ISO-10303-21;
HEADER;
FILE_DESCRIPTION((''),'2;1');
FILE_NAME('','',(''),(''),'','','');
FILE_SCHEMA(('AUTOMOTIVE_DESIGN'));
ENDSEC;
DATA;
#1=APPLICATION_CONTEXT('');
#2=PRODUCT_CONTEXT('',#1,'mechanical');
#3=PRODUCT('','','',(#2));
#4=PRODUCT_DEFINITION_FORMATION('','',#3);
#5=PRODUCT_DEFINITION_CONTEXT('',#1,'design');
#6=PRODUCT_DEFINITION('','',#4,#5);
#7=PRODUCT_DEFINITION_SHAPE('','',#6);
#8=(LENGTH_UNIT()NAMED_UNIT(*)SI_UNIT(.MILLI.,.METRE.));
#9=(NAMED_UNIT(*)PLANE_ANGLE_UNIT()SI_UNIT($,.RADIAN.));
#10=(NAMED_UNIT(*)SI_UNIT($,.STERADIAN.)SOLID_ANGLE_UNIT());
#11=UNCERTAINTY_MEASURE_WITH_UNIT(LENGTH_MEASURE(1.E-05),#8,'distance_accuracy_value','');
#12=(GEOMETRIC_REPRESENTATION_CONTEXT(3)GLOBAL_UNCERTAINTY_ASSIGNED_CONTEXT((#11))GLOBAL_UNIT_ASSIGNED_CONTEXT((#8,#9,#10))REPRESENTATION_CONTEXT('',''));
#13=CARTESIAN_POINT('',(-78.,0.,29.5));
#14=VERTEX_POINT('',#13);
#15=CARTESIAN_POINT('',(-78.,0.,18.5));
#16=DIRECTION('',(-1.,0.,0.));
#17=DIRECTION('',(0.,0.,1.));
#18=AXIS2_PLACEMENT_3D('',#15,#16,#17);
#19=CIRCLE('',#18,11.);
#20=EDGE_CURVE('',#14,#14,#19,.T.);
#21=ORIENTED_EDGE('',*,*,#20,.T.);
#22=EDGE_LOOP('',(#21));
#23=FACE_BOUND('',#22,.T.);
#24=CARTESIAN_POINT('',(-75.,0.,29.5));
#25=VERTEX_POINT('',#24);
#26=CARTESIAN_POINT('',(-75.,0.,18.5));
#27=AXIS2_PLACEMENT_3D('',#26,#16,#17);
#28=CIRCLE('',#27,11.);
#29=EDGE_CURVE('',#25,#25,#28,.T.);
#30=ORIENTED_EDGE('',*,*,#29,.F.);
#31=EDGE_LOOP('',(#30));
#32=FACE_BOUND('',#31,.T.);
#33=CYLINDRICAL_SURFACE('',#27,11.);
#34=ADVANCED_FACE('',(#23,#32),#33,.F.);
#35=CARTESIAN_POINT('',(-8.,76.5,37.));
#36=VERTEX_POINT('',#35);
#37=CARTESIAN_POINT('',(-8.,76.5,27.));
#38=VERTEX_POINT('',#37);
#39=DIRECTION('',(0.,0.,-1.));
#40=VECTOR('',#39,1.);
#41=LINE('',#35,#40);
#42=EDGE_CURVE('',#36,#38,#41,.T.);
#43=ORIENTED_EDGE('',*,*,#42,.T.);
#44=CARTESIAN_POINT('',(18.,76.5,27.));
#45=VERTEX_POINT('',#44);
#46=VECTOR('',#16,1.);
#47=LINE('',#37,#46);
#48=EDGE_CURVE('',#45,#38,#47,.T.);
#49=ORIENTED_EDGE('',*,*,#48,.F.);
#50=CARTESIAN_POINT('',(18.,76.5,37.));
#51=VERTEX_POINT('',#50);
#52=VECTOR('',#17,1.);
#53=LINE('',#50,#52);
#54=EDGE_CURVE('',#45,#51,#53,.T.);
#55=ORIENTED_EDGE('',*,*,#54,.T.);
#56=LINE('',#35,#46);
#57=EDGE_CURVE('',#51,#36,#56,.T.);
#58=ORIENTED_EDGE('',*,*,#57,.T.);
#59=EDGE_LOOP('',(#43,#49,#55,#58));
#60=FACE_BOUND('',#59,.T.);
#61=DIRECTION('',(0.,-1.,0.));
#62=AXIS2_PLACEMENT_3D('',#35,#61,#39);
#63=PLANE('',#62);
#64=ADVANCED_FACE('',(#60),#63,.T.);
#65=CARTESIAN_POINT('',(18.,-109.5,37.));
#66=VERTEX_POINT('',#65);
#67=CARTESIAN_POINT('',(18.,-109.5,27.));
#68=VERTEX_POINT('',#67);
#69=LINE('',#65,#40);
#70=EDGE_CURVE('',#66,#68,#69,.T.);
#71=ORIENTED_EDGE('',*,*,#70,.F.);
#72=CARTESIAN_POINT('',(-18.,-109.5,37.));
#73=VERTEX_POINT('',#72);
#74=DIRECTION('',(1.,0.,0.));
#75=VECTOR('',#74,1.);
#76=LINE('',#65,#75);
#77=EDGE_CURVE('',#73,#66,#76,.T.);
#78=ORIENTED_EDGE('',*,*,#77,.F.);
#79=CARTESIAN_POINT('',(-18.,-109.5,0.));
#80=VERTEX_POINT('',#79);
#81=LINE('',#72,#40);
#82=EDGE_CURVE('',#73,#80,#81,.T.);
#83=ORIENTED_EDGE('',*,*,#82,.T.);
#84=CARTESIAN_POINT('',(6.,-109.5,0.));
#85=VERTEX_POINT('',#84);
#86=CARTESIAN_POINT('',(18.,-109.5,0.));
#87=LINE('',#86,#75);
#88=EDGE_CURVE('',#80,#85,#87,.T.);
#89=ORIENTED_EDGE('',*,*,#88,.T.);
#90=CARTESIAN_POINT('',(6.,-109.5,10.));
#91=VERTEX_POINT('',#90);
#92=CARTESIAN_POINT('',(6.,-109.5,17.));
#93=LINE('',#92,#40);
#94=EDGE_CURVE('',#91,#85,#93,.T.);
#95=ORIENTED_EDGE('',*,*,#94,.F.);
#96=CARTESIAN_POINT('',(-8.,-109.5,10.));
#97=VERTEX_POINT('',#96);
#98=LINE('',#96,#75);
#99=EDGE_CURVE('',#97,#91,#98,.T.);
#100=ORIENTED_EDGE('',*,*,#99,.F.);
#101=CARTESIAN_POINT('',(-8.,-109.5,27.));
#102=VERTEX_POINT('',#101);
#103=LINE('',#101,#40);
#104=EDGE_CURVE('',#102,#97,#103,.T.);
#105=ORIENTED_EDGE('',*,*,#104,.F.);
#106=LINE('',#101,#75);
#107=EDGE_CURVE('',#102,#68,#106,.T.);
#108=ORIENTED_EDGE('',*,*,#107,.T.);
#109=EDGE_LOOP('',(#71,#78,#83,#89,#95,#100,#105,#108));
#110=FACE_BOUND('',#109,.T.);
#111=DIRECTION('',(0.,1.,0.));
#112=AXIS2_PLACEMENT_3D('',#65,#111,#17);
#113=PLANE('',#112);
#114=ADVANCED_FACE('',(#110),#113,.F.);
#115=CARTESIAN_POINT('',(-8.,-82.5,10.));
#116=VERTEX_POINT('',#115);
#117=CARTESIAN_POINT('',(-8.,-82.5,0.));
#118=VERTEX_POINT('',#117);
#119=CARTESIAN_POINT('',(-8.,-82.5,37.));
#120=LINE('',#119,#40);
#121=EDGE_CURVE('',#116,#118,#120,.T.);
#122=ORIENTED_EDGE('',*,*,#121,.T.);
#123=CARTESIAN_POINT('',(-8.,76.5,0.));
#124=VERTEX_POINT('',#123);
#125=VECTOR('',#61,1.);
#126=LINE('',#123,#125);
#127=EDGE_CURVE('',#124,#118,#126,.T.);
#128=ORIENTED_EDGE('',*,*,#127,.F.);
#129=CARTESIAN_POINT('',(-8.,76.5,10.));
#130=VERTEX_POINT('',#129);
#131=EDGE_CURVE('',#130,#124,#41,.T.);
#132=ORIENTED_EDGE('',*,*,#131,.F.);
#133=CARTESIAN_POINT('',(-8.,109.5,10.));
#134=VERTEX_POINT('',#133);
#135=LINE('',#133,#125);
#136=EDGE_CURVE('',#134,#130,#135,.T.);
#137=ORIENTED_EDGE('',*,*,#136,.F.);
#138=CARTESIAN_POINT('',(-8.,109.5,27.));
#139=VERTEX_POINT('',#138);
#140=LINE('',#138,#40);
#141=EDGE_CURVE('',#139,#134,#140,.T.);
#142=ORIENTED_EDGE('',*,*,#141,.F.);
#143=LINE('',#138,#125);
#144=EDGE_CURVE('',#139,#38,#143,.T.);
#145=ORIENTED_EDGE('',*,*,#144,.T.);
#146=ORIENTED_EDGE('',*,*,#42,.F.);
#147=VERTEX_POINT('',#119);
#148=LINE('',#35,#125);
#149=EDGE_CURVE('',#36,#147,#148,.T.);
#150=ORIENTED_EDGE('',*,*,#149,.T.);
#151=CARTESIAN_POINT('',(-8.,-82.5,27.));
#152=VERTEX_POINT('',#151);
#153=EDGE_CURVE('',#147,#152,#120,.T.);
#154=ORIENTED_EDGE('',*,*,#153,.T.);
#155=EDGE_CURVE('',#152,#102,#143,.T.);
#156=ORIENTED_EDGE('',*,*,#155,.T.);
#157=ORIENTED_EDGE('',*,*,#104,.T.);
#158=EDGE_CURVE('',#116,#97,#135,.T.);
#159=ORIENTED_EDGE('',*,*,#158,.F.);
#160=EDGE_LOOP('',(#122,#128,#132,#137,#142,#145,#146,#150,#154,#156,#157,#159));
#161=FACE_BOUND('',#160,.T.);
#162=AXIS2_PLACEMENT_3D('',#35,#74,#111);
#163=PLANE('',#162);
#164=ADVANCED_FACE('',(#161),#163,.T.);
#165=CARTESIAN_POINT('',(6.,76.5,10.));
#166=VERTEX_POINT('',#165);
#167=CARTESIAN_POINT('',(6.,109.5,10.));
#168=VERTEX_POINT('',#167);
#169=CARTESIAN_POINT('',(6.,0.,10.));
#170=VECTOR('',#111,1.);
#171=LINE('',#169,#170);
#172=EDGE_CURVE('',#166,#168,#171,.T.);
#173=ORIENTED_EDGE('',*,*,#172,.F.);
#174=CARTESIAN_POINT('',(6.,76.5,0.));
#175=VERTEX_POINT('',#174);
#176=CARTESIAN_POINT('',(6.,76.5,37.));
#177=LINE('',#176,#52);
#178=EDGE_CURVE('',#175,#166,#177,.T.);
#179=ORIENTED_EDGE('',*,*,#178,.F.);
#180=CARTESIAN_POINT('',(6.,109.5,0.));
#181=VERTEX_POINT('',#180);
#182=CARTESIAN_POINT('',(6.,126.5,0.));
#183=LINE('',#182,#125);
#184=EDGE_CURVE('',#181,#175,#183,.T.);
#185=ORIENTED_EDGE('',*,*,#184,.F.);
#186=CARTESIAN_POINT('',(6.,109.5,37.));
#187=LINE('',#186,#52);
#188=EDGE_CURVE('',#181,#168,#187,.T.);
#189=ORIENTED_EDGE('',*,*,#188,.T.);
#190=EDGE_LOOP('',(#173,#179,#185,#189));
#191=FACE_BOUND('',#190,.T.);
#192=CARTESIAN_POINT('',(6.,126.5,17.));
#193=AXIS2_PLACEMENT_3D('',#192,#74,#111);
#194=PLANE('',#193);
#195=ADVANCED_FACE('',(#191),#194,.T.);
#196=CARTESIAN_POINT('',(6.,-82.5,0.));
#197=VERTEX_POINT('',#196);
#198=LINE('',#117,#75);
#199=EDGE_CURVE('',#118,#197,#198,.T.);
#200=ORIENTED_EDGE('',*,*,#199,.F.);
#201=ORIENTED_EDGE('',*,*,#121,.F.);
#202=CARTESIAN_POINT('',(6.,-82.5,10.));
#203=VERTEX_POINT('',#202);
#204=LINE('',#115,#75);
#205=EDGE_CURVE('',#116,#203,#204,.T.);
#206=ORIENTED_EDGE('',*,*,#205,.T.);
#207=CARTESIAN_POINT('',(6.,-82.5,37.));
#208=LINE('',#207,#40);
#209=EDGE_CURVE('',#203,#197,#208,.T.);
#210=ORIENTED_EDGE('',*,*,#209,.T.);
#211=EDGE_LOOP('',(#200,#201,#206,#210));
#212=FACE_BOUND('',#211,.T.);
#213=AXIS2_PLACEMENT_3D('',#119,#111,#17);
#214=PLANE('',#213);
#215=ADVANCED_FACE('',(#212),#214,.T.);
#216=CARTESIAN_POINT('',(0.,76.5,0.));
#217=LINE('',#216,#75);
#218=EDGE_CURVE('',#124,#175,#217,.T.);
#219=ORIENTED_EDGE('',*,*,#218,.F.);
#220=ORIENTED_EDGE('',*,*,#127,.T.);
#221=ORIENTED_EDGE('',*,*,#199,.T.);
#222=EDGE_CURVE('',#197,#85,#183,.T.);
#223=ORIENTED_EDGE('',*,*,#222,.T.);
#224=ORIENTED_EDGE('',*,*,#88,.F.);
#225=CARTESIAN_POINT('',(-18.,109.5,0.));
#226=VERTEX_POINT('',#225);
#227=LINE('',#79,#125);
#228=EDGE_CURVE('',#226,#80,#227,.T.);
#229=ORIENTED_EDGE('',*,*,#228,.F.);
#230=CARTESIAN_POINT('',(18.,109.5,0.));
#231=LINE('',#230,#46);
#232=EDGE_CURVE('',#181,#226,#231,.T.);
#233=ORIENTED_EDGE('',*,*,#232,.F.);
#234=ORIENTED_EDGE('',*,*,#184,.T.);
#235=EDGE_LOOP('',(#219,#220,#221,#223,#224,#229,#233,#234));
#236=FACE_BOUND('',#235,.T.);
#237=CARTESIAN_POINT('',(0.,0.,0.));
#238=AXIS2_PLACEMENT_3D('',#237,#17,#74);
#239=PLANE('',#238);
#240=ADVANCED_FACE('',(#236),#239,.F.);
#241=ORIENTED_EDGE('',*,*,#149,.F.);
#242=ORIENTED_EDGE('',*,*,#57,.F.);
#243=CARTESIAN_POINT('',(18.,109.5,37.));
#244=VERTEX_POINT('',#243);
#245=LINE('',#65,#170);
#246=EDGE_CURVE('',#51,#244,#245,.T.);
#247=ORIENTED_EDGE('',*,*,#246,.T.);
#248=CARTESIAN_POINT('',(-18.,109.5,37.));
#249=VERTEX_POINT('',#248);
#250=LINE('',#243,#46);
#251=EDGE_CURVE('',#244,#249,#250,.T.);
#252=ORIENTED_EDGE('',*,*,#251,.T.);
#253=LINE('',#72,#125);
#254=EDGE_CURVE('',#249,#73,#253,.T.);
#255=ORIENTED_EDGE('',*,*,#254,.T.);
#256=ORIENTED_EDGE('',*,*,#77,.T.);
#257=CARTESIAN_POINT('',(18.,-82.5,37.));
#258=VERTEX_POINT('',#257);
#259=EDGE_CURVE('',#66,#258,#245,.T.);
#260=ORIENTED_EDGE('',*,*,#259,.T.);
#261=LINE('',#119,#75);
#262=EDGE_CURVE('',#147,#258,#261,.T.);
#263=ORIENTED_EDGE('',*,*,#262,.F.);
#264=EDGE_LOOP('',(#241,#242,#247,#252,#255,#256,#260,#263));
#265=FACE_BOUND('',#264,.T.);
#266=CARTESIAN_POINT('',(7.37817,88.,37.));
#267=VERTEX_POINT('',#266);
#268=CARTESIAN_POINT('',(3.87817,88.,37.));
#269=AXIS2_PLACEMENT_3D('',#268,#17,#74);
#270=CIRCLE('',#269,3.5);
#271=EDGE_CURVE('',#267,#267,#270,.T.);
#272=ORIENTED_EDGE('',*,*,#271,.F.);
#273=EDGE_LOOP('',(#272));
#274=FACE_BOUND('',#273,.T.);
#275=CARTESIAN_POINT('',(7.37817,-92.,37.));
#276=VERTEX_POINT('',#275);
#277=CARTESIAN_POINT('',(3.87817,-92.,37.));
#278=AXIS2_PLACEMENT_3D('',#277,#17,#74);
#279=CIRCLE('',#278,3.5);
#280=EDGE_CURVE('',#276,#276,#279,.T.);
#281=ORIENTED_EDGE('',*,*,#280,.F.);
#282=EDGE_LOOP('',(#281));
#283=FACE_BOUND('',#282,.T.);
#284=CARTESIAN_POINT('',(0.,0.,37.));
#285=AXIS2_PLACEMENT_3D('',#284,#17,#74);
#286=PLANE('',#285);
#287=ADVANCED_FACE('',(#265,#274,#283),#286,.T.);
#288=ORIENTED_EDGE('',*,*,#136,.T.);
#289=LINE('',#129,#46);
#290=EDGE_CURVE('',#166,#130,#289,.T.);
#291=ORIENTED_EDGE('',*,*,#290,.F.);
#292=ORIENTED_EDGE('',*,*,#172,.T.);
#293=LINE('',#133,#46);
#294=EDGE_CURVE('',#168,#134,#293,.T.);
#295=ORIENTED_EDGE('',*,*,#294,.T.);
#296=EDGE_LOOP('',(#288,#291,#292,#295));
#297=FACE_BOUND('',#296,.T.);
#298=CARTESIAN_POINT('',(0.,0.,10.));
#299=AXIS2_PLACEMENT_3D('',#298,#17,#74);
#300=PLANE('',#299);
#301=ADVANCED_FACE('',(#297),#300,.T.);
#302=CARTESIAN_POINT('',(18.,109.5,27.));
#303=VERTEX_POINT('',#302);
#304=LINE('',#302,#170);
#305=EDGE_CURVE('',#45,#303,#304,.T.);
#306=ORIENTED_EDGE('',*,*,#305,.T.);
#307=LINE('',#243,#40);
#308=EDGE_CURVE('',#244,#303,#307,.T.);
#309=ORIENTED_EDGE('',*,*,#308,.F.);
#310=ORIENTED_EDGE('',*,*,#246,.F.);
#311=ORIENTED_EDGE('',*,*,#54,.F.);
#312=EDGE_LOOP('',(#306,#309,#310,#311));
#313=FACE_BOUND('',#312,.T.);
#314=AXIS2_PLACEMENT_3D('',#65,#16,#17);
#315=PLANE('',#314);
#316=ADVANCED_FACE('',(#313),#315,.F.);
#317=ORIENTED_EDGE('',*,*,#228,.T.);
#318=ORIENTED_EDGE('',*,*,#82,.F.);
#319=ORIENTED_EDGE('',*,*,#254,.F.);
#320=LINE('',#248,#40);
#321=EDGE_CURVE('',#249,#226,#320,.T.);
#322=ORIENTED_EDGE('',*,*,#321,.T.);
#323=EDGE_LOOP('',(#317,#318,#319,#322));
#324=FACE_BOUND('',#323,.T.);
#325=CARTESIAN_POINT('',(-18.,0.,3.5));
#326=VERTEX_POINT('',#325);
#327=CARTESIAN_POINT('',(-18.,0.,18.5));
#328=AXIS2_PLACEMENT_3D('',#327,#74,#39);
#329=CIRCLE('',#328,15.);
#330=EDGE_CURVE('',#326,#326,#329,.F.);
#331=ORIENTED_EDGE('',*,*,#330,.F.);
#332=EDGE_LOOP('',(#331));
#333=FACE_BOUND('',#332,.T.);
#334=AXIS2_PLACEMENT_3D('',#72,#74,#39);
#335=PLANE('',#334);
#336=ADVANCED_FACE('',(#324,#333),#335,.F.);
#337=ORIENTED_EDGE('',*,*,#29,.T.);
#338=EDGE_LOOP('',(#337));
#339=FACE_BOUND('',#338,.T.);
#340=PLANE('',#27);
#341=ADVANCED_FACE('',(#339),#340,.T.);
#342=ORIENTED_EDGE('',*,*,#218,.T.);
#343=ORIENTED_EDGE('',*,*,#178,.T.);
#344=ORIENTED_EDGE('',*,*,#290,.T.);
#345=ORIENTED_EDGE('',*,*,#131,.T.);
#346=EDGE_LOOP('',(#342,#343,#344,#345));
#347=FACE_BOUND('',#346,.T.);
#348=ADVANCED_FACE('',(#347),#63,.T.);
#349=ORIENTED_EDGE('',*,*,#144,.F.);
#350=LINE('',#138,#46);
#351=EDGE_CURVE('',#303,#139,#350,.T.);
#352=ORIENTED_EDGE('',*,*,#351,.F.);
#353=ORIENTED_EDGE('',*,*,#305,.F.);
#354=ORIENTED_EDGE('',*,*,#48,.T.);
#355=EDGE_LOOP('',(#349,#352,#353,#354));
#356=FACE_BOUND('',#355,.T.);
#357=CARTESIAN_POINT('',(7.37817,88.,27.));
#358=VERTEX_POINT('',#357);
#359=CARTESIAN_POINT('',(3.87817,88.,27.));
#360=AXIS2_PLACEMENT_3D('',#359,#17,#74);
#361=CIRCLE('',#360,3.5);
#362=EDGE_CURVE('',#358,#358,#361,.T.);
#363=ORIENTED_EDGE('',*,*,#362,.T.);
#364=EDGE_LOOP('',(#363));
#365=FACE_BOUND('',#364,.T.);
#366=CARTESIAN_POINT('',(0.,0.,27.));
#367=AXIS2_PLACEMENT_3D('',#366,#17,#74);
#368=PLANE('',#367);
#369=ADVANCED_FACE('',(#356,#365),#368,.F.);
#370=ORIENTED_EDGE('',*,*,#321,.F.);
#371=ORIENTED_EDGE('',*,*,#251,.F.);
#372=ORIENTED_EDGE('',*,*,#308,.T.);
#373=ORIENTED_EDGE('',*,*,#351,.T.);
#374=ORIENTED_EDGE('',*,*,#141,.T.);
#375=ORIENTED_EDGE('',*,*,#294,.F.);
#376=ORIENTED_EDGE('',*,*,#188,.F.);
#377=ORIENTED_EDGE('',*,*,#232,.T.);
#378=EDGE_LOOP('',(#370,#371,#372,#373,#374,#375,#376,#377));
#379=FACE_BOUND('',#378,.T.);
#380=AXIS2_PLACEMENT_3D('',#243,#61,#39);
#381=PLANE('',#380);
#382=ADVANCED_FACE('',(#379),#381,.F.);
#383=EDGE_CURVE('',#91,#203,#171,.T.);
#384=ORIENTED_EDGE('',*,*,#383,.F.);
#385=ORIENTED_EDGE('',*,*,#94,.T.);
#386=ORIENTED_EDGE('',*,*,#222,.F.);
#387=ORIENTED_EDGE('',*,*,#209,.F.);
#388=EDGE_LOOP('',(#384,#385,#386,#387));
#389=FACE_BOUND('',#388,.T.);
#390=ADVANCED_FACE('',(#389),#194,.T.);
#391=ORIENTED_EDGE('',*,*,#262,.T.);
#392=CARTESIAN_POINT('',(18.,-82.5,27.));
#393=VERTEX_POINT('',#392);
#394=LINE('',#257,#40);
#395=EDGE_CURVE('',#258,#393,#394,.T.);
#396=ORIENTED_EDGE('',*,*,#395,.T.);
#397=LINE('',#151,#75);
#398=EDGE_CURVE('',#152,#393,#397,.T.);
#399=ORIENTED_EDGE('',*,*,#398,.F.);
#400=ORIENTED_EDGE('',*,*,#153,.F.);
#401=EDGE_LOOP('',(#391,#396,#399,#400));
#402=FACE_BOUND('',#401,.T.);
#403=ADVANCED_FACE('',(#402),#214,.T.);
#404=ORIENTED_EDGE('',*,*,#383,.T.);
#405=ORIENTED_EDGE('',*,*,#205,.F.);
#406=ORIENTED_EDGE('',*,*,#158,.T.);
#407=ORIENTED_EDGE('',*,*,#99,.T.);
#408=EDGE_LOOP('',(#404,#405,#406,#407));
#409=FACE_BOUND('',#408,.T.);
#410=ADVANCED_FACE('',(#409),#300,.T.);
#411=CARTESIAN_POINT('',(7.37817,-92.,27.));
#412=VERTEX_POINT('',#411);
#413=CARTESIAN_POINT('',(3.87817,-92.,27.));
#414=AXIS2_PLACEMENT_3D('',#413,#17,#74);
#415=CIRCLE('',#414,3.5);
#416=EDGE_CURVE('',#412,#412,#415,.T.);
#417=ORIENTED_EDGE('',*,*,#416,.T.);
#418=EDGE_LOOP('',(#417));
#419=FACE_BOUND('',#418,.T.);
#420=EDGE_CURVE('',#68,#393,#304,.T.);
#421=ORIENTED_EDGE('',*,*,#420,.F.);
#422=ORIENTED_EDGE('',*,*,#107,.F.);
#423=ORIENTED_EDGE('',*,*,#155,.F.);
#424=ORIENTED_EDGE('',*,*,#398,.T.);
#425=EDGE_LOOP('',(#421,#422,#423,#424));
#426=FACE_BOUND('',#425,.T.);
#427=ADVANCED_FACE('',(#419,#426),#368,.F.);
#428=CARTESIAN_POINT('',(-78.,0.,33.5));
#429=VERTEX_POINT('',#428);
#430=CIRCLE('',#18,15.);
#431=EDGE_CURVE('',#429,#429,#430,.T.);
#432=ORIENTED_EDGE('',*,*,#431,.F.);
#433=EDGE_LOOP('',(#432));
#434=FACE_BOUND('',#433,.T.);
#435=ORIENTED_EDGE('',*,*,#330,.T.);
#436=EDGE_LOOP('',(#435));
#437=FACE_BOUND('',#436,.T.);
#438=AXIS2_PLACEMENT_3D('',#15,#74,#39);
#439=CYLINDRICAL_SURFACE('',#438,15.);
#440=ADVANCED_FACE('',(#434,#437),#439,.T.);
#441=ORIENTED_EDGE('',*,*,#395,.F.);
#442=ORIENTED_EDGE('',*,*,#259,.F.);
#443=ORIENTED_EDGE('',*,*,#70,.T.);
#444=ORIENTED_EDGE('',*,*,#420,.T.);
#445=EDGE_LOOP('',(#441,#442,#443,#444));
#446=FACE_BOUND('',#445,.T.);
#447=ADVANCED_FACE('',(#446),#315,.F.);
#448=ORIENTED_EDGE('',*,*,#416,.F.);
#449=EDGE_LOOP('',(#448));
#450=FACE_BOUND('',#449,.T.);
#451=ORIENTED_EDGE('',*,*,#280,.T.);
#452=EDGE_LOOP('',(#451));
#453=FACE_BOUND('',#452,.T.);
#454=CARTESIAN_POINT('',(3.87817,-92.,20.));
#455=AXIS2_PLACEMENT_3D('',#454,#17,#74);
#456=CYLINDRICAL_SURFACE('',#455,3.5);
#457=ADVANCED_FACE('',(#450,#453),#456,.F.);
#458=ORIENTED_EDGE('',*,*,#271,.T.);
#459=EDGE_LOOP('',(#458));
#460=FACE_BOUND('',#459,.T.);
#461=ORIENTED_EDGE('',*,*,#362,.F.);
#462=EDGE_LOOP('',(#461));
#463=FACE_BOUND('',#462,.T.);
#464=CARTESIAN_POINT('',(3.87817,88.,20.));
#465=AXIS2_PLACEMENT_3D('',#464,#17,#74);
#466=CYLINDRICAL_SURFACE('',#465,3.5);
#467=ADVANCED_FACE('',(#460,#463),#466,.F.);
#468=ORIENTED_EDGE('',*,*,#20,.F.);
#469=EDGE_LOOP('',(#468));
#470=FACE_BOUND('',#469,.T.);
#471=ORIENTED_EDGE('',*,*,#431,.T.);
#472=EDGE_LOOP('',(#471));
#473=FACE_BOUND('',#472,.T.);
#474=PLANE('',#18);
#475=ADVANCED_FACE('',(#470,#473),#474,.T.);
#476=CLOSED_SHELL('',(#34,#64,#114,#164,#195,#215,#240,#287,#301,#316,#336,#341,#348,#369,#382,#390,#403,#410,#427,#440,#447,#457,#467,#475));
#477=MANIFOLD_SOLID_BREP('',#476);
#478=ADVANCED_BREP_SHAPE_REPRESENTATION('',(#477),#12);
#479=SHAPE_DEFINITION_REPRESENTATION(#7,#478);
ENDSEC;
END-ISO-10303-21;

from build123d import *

# Parameters (mm, degrees)
SKETCH_1_W           = 36
SKETCH_1_H           = 219
EXTRUDE_1_DEPTH      = 37
SKETCH_2_W           = 80.767995678
SKETCH_2_H           = 159
CUT_EXTRUDE_1_DEPTH  = 117.975424769
CUT_EXTRUDE_START    = 10
SKETCH_9_W           = 26
SKETCH_9_H           = 219
CUT_EXTRUDE_7_DEPTH  = 17
SKETCH_10_W          = 12
SKETCH_10_H          = 236
CUT_EXTRUDE_8_DEPTH  = 17
CUT_EXTRUDE_START_2  = 37
SKETCH_11_R          = 3.5
CUT_EXTRUDE_11_DEPTH = 17
SKETCH_25_R          = 15
EXTRUDE_3_DEPTH      = 60
CUT_EXTRUDE_START_3  = -78
SKETCH_26_R          = 11
CUT_EXTRUDE_13_DEPTH = 3


with BuildPart() as part:
    # 스케치1 → 보스-돌출1 (new body)
    with BuildSketch(Plane.XY):
        Rectangle(SKETCH_1_W, SKETCH_1_H)
    extrude(amount=EXTRUDE_1_DEPTH)

    # 스케치2 → 컷-돌출1 (cut, through all)
    with BuildSketch(Plane.XY):
        with Locations((32.383997839, -3)):
            Rectangle(SKETCH_2_W, SKETCH_2_H)
    extrude(amount=CUT_EXTRUDE_1_DEPTH, mode=Mode.SUBTRACT)

    # 스케치9 → 컷-돌출7 (cut)
    with BuildSketch(Plane.XY.offset(CUT_EXTRUDE_START)):
        with Locations((5, 0)):
            Rectangle(SKETCH_9_W, SKETCH_9_H)
    extrude(amount=CUT_EXTRUDE_7_DEPTH, mode=Mode.SUBTRACT)

    # 스케치10 → 컷-돌출8 (cut)
    with BuildSketch(Plane.XY):
        with Locations((12, 8.5)):
            Rectangle(SKETCH_10_W, SKETCH_10_H)
    extrude(amount=CUT_EXTRUDE_8_DEPTH, mode=Mode.SUBTRACT)

    # 스케치11 → 컷-돌출11 (cut)
    with BuildSketch(Plane.XY.offset(CUT_EXTRUDE_START_2)):
        with Locations((3.878169626, 88)):
            Circle(SKETCH_11_R)
        with Locations((3.878169626, -92)):
            Circle(SKETCH_11_R)
    extrude(amount=-CUT_EXTRUDE_11_DEPTH, mode=Mode.SUBTRACT)

    # 스케치25 → 보스-돌출3 (add)
    with BuildSketch(Plane.ZY.offset(18)):
        with Locations(Location((18.5, 0, 0), (0, 0, 180))):
            Circle(SKETCH_25_R)
    extrude(amount=EXTRUDE_3_DEPTH)

    # 스케치26 → 컷-돌출13 (cut)
    with BuildSketch(Plane(origin=(0, 0, 0), x_dir=(0, 0, -1), z_dir=(1, 0, 0)).offset(CUT_EXTRUDE_START_3)):
        with Locations(Location((-18.5, 0, 0), (0, 0, 180))):
            Circle(SKETCH_26_R)
    extrude(amount=CUT_EXTRUDE_13_DEPTH, mode=Mode.SUBTRACT)


solid = part.part
